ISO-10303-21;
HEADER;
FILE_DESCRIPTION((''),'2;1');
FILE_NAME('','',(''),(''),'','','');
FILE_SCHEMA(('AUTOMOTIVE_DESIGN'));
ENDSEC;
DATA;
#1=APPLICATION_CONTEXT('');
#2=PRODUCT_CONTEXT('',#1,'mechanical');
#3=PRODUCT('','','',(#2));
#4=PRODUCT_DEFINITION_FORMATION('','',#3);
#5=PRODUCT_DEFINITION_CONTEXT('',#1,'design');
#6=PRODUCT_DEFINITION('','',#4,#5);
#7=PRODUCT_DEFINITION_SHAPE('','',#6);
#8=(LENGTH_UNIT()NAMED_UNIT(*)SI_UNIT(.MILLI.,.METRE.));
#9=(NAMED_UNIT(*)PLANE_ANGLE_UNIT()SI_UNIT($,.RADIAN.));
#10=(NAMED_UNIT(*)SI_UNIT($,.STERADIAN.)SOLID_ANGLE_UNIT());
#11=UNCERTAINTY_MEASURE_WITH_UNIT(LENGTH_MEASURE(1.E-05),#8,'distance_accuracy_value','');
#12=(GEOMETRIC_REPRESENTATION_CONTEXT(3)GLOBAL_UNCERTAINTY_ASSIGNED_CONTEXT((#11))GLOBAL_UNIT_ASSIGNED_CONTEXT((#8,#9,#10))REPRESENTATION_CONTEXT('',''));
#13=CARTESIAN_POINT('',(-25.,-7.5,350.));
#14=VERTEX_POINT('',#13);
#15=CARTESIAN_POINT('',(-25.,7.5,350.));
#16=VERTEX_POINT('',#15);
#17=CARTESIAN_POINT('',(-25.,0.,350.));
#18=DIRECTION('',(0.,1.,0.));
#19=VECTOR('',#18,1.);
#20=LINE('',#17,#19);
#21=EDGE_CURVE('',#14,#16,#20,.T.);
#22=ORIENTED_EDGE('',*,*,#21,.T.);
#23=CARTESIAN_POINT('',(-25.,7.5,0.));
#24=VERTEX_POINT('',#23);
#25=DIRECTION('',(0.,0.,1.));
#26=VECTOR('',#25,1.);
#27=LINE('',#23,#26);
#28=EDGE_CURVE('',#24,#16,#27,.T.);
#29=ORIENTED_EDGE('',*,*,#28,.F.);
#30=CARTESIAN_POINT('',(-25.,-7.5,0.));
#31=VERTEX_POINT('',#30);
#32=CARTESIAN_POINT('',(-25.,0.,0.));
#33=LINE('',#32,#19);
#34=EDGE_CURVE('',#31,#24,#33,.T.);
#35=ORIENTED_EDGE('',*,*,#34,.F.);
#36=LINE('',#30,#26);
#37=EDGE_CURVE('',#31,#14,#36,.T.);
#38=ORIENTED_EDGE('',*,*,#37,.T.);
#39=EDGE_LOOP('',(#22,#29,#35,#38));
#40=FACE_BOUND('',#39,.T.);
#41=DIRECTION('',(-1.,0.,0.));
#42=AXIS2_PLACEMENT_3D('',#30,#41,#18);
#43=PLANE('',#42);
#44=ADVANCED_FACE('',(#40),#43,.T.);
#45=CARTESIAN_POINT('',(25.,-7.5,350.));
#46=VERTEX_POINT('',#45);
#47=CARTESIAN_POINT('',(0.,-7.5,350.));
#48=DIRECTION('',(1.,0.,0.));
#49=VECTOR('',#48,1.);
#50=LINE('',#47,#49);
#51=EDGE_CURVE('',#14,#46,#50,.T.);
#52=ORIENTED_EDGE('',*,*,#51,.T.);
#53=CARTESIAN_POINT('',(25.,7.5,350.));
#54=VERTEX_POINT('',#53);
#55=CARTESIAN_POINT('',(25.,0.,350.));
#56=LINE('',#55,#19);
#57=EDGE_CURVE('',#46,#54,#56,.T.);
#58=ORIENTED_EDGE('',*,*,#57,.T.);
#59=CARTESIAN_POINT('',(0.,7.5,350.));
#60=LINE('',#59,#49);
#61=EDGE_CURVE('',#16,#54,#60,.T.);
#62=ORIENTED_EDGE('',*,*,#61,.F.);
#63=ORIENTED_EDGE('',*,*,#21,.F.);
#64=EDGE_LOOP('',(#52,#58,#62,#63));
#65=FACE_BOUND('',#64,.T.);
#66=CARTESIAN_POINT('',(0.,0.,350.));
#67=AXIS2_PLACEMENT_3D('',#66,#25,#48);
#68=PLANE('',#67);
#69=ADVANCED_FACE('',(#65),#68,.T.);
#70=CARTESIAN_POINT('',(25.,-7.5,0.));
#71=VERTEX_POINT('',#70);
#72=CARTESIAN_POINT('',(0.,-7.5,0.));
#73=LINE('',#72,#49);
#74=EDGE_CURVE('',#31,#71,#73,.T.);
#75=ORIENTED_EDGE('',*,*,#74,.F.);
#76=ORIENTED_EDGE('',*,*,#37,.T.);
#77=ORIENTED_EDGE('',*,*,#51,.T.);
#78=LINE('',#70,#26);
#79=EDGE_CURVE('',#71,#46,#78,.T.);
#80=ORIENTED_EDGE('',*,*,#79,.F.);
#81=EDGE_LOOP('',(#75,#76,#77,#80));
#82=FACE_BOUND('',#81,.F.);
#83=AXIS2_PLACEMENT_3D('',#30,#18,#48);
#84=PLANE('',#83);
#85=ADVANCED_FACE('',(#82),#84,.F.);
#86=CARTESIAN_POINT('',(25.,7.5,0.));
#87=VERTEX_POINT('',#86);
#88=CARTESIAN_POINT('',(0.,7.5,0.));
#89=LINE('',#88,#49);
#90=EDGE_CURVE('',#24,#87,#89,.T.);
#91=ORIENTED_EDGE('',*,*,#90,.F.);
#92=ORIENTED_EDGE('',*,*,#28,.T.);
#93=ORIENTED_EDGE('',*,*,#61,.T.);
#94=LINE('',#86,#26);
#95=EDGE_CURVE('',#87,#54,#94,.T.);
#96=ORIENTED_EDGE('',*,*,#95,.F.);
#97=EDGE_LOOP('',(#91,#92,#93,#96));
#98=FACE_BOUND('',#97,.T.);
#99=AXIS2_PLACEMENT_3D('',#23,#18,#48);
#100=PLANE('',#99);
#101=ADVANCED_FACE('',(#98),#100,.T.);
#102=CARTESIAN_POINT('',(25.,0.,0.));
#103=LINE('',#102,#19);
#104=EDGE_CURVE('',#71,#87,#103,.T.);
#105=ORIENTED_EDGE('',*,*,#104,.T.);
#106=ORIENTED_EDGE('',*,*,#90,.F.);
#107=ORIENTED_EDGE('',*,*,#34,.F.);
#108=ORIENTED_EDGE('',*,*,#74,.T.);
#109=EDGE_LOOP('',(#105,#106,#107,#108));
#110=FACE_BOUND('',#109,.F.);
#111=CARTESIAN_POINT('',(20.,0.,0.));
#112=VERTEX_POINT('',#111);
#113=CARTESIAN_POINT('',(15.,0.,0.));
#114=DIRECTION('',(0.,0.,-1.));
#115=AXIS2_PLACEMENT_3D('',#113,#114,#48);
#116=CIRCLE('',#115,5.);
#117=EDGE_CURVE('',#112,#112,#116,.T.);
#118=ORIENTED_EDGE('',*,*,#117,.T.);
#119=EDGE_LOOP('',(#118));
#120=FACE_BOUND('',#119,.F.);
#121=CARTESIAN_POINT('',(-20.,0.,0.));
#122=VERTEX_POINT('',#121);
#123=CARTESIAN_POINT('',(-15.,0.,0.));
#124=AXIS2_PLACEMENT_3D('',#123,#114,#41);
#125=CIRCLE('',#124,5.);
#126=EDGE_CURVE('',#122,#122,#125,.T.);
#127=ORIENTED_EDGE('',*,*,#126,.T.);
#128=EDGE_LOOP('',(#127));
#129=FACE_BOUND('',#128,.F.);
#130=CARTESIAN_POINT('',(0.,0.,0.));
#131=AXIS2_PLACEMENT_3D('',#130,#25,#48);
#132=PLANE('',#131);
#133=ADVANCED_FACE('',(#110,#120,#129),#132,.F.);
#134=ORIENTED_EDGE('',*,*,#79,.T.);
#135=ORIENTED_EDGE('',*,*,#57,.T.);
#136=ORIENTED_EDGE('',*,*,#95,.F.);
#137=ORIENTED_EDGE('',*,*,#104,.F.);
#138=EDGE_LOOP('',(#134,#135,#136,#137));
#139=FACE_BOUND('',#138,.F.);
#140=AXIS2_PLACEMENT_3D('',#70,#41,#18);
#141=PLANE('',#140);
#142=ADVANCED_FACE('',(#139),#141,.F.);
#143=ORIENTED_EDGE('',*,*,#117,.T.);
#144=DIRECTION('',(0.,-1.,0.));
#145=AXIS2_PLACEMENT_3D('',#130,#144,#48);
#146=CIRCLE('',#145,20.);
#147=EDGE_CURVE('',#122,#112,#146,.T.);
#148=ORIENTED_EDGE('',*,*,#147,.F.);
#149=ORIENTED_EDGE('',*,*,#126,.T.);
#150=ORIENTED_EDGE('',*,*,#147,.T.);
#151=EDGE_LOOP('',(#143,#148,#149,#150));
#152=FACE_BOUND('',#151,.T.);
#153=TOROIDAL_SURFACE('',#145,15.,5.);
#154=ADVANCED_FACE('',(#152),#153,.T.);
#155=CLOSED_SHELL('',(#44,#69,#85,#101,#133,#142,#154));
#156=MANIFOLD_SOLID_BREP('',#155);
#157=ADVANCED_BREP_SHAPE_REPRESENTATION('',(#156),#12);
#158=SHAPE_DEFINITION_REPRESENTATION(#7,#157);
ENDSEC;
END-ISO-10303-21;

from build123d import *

# Parameters (mm, degrees)
F0_W     = 50
F0_H     = 15
F1_DEPTH = 350
F2_R     = 5


with BuildPart() as f1:
    # F0 (on Top) → F1 (new body)
    with BuildSketch(Plane.XY):
        Rectangle(F0_W, F0_H)
    extrude(amount=F1_DEPTH)

    # F2 (on face) → F3 (revolve)
    with BuildSketch(Plane(origin=(0, 0, 0), x_dir=(1, 0, 0), z_dir=(0, 0, -1))):
        with Locations((15, 0)):
            Circle(F2_R)
        with Locations((-15, 0)):
            Circle(F2_R)
    revolve(axis=Axis((0, -1.103515, 0), (0, -1, 0)))


solid = f1.part
